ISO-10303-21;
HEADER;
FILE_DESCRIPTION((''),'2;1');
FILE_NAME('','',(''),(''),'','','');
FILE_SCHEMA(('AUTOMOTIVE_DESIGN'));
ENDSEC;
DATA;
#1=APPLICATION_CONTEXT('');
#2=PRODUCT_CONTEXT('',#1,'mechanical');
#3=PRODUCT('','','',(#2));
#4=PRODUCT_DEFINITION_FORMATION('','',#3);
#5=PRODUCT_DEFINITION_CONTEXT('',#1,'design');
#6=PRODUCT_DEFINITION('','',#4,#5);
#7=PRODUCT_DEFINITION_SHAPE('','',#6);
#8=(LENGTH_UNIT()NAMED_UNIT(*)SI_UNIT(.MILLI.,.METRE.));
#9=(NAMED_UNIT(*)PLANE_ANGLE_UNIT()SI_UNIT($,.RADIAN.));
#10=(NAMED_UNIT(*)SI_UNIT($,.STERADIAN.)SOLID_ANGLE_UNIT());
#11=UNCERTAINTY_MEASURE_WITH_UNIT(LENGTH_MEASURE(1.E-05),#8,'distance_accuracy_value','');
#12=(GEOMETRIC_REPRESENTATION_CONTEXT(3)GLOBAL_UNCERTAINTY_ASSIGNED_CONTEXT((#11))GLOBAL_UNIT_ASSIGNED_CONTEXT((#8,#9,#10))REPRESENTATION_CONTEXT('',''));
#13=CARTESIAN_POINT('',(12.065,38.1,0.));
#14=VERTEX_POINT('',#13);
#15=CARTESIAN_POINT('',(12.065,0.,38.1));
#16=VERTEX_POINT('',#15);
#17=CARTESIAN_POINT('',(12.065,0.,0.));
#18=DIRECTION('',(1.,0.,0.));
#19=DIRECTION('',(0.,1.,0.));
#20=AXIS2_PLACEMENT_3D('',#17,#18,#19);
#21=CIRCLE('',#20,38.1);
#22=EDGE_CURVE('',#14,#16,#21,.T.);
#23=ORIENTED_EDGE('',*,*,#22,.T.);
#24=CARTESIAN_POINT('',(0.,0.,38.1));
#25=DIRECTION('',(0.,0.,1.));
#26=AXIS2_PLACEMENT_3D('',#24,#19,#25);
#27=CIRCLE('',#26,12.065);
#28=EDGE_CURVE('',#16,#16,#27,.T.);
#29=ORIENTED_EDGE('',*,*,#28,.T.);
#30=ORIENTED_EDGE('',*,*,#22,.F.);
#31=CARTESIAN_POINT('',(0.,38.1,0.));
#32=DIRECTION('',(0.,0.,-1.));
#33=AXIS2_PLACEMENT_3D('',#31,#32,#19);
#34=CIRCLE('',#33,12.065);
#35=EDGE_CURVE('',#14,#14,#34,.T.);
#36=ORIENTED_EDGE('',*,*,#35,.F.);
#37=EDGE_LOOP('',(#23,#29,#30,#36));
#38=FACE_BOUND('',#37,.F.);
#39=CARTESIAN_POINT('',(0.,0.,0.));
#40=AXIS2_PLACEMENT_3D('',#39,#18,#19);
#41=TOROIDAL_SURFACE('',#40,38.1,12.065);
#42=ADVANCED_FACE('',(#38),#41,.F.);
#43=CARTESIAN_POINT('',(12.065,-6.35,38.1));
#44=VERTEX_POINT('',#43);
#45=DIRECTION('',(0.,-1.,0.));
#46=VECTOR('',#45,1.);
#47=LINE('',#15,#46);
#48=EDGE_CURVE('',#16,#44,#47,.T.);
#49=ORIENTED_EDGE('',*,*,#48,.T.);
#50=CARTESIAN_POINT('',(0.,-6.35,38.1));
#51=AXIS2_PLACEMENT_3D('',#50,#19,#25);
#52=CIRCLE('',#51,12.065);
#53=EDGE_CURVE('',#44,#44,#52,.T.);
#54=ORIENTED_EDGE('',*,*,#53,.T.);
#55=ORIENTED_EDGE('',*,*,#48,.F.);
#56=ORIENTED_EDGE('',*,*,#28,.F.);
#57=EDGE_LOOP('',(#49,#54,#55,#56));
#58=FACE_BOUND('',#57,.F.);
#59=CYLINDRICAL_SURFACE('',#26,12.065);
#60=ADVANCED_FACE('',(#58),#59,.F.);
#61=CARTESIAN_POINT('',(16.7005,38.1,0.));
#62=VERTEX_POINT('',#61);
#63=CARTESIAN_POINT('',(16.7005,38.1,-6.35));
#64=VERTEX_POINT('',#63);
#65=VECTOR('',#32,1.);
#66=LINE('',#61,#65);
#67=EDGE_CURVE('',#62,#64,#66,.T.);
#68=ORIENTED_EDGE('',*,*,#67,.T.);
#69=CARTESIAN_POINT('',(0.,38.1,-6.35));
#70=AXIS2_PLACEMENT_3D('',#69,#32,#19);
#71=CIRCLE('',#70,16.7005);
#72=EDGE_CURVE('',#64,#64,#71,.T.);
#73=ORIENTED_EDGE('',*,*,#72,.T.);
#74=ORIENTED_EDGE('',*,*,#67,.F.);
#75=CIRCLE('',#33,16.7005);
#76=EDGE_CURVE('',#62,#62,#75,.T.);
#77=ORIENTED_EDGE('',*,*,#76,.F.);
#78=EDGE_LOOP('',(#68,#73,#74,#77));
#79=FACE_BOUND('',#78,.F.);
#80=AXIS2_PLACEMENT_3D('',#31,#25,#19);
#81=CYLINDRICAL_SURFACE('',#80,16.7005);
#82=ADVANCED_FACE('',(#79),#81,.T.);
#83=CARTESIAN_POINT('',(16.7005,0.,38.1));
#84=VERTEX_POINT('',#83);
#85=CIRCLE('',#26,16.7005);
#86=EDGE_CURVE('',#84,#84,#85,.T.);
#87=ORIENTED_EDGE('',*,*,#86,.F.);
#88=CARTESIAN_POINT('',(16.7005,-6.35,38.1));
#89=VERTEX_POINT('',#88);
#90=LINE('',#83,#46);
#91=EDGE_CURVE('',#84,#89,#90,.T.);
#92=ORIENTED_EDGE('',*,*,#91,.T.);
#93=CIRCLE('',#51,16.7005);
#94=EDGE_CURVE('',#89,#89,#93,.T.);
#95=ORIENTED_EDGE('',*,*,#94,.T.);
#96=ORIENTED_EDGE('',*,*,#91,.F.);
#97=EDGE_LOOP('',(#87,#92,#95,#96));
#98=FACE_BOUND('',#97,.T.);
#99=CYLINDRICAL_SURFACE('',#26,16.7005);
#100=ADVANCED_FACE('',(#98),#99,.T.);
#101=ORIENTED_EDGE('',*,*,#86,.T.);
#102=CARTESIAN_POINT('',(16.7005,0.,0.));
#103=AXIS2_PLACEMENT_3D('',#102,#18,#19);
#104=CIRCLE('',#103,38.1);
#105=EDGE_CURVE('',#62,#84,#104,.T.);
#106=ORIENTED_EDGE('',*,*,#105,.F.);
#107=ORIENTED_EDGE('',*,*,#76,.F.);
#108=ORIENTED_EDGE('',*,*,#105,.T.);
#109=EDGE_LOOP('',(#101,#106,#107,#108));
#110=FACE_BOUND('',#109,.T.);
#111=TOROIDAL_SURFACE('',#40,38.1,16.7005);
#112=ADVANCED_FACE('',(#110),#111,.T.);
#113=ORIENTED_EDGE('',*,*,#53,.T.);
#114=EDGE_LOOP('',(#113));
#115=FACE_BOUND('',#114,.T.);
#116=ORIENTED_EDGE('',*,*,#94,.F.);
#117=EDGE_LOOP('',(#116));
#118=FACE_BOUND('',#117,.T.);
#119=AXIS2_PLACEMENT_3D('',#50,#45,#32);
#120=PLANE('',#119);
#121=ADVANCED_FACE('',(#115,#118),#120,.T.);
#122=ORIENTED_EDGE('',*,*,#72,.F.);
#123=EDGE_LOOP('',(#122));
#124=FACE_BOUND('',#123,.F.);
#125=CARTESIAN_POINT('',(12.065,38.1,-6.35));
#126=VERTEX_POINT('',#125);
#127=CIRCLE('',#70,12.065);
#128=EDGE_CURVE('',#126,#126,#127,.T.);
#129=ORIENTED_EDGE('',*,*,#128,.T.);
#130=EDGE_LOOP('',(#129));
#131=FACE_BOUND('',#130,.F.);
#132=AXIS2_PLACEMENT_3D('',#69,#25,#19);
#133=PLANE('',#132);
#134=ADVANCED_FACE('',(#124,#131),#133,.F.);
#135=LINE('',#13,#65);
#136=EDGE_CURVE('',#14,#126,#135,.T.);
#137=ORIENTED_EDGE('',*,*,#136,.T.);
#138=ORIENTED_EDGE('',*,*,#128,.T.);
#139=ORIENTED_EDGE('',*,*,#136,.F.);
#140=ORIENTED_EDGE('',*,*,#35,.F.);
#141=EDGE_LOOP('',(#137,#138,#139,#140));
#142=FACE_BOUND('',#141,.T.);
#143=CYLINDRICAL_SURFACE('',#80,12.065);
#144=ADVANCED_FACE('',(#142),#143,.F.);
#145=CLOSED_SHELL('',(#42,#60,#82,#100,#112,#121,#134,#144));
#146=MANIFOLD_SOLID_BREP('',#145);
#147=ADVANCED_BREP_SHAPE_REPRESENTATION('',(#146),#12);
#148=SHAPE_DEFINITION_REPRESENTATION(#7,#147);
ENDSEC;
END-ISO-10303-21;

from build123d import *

# Parameters (mm, degrees)
F1_R     = 16.7005
F1_R_2   = 12.065
F3_DEPTH = 6.35
F4_DEPTH = 6.35


with BuildPart() as f2:
    # F2: sweep along a path in F0
    with BuildLine(Plane.YZ) as f2_path:
        ThreePointArc((38.1, 0), (26.9407683632, 26.9407683632), (0, 38.1))
    # F1 (on Front) → F2 (sweep)
    with BuildSketch(Plane.XZ):
        with Locations((0, 38.1)):
            Circle(F1_R)
        with Locations((0, 38.1)):
            Circle(F1_R_2, mode=Mode.SUBTRACT)
    sweep(path=f2_path.line)

    # F3 (add): a face of the model
    f3_faces = [f2.faces().sort_by_distance(p)[0] for p in [
        (-16.228138528, 0, 38.1),
    ]]
    extrude(f3_faces, amount=F3_DEPTH)

    # F4 (add): a face of the model
    f4_faces = [f2.faces().sort_by_distance(p)[0] for p in [
        (-16.228138528, 38.1, 0),
    ]]
    extrude(f4_faces, amount=F4_DEPTH)


solid = f2.part
